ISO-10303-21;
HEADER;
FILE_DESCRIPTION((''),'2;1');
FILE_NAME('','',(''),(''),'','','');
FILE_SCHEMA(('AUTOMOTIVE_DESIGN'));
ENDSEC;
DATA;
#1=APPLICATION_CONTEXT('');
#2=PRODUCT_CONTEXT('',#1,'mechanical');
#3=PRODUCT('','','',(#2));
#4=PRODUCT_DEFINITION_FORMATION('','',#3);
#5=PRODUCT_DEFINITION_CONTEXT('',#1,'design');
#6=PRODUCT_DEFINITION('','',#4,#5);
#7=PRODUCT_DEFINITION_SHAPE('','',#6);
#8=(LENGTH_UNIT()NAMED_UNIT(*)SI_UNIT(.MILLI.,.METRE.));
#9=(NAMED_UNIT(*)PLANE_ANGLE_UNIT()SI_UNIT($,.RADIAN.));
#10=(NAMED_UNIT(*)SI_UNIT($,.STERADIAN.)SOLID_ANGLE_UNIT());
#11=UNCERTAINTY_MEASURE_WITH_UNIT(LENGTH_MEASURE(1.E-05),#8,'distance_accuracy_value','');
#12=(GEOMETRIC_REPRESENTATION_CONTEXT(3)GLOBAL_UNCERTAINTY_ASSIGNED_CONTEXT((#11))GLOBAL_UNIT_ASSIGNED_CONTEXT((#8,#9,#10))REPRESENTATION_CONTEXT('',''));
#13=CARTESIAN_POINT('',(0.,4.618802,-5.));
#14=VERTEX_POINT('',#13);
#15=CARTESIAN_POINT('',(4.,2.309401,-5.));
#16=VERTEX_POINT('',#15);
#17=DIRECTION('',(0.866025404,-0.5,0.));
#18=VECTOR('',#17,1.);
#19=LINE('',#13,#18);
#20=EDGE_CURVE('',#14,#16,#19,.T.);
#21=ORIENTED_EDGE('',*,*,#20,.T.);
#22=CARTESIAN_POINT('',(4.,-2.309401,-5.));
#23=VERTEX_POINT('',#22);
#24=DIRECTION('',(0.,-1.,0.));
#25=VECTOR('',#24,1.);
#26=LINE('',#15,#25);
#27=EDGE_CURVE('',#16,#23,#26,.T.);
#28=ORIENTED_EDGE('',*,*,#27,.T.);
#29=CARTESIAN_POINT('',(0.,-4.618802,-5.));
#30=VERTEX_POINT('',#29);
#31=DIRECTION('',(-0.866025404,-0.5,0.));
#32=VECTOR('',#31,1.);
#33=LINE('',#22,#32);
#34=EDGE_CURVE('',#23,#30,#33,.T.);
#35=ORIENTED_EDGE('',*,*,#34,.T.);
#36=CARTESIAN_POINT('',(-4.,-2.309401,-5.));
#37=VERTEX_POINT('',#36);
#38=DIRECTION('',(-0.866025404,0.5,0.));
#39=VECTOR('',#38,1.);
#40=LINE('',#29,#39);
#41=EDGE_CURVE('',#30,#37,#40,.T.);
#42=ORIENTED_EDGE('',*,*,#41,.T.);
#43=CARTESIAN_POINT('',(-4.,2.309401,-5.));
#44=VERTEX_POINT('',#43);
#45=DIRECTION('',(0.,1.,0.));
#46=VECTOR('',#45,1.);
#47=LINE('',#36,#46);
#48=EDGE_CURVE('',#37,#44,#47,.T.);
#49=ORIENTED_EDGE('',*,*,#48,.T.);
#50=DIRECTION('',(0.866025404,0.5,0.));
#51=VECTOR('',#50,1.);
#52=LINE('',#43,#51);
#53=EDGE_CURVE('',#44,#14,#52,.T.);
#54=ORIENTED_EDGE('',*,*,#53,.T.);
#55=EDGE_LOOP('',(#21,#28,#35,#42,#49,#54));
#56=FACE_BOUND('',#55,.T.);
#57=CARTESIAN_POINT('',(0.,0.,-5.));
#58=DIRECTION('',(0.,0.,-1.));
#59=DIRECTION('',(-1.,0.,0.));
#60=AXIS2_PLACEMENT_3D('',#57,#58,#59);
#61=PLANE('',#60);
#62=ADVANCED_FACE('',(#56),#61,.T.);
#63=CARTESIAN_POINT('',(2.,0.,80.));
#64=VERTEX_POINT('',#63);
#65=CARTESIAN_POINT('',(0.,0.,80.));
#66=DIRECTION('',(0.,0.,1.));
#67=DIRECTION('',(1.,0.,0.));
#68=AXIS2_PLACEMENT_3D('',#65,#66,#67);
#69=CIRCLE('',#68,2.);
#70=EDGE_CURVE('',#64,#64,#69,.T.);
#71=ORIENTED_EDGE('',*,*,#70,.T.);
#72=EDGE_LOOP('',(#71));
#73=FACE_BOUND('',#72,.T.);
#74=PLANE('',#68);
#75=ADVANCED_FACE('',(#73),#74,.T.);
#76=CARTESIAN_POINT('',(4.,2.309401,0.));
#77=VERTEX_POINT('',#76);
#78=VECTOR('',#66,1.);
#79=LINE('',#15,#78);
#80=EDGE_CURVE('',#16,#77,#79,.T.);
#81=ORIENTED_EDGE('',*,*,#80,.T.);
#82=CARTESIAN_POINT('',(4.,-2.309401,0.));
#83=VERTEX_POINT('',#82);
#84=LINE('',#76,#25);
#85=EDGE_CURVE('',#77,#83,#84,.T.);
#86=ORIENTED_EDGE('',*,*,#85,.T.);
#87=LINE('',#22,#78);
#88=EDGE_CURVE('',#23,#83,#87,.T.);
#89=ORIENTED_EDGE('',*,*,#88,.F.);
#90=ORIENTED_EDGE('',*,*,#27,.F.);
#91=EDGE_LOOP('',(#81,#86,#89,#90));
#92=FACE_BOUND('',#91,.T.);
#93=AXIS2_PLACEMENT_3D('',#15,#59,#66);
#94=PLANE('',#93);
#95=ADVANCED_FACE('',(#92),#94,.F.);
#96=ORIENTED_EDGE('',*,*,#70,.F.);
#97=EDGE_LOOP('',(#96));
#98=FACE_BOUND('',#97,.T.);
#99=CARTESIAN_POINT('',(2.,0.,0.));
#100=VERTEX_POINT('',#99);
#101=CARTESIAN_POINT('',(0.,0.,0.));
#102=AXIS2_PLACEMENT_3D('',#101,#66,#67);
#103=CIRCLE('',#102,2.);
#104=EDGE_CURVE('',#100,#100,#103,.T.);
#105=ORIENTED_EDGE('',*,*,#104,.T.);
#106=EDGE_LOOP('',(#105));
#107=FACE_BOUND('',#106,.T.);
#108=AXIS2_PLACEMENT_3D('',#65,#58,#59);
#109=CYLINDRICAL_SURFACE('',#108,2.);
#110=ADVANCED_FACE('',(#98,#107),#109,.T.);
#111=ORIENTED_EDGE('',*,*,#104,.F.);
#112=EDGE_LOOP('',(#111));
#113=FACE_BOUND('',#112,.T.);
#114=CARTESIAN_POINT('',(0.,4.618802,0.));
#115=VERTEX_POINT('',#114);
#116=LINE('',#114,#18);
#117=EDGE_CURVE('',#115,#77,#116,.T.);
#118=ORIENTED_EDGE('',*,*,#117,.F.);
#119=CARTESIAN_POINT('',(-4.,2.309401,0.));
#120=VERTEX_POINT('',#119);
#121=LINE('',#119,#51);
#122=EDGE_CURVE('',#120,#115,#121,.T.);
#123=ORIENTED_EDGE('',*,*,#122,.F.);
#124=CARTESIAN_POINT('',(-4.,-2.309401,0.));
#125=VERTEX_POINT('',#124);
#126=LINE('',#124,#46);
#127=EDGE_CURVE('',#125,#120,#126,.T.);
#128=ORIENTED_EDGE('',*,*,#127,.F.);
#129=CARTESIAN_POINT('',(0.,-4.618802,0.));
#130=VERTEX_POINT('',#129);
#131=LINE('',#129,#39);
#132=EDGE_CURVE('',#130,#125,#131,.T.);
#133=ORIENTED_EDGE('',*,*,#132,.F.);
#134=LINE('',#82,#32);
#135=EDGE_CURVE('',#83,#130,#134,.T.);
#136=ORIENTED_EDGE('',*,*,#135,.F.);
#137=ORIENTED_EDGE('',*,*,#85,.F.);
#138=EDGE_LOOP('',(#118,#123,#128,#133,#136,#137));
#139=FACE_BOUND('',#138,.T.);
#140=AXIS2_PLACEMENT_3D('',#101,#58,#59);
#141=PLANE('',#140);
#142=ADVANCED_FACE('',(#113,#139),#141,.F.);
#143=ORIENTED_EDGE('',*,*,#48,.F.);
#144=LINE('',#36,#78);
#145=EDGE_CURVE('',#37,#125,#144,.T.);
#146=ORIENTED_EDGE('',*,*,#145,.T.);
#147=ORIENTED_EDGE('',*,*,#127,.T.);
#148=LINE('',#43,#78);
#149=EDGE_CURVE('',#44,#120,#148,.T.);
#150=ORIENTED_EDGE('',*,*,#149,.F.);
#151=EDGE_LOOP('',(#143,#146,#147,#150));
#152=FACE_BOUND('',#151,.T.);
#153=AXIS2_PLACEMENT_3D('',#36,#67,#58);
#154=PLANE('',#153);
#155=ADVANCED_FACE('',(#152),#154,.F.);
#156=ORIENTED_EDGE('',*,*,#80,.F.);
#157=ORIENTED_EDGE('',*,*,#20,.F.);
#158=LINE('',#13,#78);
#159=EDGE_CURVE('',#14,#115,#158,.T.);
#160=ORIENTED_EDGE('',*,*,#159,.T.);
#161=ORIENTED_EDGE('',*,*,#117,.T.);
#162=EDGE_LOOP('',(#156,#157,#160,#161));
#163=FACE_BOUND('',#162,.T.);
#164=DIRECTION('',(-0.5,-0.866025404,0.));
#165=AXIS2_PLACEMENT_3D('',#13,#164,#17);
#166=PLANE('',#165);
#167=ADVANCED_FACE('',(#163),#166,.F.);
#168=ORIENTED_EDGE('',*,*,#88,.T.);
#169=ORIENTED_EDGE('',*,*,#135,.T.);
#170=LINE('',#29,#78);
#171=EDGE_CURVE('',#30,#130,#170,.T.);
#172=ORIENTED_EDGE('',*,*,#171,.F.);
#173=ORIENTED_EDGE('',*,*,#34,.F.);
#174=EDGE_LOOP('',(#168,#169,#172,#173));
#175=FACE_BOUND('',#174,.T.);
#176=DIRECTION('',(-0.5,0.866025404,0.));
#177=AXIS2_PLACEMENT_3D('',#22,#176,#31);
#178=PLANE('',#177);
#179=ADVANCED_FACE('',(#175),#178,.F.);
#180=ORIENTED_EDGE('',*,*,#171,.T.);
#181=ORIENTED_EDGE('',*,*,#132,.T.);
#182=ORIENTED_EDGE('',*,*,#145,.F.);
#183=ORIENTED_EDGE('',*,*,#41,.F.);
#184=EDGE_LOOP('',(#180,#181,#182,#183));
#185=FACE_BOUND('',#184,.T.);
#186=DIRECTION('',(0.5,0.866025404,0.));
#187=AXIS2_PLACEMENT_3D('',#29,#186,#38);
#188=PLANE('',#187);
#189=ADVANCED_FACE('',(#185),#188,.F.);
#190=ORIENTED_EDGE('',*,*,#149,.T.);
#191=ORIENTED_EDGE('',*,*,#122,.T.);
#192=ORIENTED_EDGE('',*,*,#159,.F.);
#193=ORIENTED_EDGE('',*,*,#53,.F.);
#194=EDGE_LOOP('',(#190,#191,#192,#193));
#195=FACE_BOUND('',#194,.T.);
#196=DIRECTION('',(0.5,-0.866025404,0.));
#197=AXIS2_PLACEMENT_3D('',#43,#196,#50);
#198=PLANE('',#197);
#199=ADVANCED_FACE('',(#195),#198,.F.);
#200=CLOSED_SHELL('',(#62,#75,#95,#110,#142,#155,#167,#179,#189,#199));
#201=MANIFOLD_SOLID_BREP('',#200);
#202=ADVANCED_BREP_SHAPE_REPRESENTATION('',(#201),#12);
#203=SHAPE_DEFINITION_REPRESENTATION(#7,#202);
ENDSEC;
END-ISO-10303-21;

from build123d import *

# Parameters (mm, degrees)
SKETCH1_R           = 2
BOSS_EXTRUDE1_DEPTH = 80
BOSS_EXTRUDE2_DEPTH = 5


with BuildPart() as part:
    # Sketch1 → Boss-Extrude1 (new body)
    with BuildSketch(Plane.XY):
        Circle(SKETCH1_R)
    extrude(amount=BOSS_EXTRUDE1_DEPTH)

    # Sketch2 → Boss-Extrude2 (add)
    with BuildSketch(Plane(origin=(0, 0, 0), x_dir=(-1, 0, 0), z_dir=(0, 0, -1))):
        Polygon((0, 4.618802154), (-4, 2.309401077), (-4, -2.309401077), (0, -4.618802154), (4, -2.309401077), (4, 2.309401077), align=None)
    extrude(amount=BOSS_EXTRUDE2_DEPTH)


solid = part.part
